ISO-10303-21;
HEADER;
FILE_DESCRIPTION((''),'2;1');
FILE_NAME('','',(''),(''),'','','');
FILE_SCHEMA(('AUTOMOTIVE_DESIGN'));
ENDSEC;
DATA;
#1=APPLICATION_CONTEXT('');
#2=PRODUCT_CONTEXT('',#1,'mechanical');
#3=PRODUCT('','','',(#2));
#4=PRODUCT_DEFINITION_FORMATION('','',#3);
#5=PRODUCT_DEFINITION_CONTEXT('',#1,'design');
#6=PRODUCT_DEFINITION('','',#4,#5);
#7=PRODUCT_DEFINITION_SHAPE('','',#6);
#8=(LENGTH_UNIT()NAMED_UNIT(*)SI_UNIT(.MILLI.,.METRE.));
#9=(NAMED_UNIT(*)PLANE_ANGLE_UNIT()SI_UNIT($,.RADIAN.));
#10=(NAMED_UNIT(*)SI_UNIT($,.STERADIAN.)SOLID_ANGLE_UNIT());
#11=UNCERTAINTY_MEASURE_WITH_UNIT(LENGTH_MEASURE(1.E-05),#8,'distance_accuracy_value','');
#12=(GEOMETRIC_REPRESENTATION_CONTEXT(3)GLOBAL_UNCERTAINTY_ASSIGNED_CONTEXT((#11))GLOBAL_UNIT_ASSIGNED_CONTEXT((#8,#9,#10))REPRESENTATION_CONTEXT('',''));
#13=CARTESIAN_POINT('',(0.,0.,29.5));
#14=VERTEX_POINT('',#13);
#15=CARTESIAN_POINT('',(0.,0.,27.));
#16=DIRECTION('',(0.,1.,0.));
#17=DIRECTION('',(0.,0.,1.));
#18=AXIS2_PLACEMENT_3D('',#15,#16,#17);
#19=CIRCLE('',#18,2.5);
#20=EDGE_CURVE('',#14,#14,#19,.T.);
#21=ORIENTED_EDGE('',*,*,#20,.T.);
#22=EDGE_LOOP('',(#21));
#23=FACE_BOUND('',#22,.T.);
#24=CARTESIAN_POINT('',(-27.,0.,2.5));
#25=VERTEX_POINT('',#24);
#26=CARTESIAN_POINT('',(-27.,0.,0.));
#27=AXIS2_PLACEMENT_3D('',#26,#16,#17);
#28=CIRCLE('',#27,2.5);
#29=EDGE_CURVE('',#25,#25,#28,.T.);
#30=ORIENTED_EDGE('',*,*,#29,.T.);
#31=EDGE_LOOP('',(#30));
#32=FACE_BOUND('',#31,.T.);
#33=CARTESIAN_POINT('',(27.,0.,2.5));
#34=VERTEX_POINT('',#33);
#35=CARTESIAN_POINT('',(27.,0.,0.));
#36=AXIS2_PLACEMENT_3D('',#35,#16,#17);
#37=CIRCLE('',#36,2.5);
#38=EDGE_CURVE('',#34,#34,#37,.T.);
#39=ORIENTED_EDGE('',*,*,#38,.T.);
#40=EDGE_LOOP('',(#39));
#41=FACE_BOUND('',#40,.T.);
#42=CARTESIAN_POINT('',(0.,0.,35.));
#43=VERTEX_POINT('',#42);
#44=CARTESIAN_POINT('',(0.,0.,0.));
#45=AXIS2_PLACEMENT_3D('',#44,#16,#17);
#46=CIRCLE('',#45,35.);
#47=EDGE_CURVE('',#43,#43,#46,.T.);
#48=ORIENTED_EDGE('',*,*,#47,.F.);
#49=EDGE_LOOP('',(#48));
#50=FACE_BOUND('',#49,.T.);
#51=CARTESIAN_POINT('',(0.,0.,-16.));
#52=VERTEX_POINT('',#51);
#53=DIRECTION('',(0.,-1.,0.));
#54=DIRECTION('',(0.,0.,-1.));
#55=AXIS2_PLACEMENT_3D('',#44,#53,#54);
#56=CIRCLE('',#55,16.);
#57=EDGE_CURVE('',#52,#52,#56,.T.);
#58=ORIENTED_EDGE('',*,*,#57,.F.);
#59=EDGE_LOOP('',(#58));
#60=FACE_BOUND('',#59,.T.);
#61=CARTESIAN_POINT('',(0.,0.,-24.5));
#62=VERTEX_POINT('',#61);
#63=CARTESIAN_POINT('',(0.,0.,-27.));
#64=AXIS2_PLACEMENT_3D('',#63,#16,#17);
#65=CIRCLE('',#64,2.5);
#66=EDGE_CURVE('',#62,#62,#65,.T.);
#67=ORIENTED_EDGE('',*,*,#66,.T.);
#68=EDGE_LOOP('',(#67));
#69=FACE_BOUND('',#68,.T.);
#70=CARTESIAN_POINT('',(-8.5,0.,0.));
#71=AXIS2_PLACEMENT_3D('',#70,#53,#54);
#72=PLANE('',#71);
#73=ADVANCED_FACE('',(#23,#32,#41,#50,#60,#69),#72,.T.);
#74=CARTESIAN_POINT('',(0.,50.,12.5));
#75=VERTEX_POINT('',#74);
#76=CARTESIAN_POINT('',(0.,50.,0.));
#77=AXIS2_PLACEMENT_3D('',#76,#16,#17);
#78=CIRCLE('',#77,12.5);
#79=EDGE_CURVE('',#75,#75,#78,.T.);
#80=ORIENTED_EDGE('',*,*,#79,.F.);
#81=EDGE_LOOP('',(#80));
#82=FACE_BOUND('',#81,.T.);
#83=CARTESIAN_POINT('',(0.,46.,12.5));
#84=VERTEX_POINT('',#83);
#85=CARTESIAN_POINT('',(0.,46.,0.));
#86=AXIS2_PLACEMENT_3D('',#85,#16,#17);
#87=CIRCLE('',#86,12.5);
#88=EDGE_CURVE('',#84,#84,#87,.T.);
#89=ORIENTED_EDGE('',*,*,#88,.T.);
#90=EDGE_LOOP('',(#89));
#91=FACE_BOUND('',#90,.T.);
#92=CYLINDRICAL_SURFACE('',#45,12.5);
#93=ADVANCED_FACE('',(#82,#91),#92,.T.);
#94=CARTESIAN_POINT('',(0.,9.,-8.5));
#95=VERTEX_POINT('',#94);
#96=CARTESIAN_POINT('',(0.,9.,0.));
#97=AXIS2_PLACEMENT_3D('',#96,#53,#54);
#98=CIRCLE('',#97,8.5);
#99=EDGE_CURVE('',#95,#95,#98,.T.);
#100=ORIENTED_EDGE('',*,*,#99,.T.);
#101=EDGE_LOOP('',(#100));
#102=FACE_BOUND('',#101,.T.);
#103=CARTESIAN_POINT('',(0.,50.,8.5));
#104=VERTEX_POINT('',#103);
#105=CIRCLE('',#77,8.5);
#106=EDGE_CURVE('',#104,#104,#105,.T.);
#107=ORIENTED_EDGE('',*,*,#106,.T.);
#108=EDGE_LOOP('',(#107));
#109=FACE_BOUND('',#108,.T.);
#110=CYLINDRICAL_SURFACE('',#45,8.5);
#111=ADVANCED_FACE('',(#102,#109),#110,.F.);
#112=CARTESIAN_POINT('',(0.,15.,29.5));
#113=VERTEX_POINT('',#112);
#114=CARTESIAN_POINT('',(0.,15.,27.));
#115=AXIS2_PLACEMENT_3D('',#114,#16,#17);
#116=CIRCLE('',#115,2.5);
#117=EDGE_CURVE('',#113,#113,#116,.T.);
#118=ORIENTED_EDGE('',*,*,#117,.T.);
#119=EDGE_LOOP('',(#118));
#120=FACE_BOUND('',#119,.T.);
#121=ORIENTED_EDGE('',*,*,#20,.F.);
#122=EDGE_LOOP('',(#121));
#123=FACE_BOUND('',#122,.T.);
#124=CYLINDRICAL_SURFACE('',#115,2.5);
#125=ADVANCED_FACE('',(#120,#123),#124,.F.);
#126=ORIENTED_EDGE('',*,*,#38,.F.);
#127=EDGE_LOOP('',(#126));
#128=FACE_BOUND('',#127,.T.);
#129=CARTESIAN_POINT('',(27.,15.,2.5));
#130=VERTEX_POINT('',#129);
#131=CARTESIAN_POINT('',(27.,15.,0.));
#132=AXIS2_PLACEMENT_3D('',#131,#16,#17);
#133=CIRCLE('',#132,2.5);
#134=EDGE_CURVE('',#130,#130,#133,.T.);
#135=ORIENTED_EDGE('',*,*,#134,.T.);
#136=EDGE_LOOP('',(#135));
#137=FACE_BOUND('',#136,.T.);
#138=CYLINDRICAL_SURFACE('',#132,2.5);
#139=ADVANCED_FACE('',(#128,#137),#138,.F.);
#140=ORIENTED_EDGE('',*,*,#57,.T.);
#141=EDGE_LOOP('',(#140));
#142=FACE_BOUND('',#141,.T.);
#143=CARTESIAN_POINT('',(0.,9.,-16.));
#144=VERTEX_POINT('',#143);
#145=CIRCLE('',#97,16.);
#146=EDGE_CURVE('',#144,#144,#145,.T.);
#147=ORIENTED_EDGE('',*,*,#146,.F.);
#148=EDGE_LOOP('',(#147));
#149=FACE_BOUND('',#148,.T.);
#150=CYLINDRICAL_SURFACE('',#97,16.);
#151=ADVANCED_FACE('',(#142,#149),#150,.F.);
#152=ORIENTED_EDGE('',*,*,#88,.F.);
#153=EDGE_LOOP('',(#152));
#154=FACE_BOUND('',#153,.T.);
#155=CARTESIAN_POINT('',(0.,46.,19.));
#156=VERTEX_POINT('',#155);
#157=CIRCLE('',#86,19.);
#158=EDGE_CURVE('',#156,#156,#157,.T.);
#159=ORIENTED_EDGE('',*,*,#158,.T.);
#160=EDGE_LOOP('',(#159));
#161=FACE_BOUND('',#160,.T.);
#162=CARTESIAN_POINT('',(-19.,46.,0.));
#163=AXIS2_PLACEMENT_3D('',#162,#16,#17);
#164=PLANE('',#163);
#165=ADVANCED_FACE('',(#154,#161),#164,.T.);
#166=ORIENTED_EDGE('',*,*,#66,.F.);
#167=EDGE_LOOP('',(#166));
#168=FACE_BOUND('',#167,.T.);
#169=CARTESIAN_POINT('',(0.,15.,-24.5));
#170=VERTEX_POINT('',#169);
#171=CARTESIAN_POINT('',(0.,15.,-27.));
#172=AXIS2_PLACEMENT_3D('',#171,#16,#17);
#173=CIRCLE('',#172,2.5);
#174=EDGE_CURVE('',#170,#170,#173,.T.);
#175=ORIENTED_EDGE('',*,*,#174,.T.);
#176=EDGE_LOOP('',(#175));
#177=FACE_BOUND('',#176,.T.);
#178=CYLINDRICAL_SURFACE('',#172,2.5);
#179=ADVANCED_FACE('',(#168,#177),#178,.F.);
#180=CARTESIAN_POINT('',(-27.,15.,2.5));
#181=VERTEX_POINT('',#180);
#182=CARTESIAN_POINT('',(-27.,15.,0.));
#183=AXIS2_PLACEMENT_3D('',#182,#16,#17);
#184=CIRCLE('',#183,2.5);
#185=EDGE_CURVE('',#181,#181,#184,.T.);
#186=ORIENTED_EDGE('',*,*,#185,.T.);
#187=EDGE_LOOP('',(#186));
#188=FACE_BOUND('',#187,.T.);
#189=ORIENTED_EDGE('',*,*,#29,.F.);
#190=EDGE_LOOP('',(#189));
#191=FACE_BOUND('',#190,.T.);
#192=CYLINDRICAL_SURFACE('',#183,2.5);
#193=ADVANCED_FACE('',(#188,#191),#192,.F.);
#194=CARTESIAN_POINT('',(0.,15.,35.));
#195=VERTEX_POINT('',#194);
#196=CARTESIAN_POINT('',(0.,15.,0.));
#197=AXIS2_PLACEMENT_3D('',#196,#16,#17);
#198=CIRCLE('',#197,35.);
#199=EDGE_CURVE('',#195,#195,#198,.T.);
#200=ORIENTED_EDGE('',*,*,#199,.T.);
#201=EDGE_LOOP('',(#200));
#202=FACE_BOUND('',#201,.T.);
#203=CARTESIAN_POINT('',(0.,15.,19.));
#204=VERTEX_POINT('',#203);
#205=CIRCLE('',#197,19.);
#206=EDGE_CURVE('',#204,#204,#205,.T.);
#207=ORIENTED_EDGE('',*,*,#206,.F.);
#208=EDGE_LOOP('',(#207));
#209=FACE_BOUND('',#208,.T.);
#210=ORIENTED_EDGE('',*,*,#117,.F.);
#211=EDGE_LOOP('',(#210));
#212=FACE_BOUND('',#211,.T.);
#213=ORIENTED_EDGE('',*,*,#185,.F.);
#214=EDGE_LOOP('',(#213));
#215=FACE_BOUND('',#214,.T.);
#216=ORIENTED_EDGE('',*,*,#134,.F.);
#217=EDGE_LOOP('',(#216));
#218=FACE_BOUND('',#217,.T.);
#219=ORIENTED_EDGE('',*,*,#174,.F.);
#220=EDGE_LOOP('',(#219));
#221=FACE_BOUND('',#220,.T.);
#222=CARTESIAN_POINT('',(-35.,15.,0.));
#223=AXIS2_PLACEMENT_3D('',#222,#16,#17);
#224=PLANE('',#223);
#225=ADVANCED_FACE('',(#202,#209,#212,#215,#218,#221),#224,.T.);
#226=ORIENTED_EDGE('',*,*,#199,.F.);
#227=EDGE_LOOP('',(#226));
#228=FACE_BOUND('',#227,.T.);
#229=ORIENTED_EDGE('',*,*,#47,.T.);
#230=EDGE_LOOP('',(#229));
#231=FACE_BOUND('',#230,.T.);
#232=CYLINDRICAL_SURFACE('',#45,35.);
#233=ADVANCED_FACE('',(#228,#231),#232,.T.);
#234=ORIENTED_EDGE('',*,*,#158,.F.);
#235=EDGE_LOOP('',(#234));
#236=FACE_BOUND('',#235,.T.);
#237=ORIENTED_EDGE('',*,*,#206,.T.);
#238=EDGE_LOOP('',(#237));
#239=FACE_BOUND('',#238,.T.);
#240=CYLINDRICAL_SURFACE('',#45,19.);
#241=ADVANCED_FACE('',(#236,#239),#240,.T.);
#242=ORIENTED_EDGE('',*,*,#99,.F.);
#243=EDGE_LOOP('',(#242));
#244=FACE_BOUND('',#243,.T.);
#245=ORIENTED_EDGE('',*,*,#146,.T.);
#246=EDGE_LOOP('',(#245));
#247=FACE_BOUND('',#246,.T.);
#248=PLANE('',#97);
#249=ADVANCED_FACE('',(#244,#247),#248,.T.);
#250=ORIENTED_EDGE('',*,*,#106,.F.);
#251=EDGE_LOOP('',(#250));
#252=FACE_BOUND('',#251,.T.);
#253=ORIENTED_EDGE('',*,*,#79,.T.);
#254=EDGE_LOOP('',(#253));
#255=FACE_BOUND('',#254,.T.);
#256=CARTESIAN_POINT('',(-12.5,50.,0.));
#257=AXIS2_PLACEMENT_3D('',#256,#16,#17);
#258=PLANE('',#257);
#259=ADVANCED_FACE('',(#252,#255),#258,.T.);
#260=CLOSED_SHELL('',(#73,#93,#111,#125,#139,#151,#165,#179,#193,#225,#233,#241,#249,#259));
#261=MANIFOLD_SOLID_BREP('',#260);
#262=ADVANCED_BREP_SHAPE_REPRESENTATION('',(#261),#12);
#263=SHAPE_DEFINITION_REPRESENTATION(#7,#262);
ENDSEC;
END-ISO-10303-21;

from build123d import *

# Parameters (mm, degrees)
M6_TAPPED_HOLE1_D  = 5
SKETCH4_R          = 16
CUT_EXTRUDE1_DEPTH = 9


with BuildPart() as part:
    # Sketch1 → Revolve1 (revolve)
    with BuildSketch(Plane.XY):
        Polygon((-8.5, 0), (-35, 0), (-35, 15), (-19, 15), (-19, 46), (-12.5, 46), (-12.5, 50), (-8.5, 50), align=None)
    revolve(axis=Axis((0, 0, 0), (0, -1, 0)))

    # M6 Tapped Hole1 (through all)
    with Locations(Plane(origin=(0, 15, 0), x_dir=(1, 0, 0), z_dir=(0, 1, 0))):
        with Locations((-27, 0), (0, 27), (27, 0), (0, -27)):
            Hole(M6_TAPPED_HOLE1_D / 2)

    # Sketch4 → Cut-Extrude1 (cut)
    with BuildSketch(Plane.XZ):
        Circle(SKETCH4_R)
    extrude(amount=-CUT_EXTRUDE1_DEPTH, mode=Mode.SUBTRACT)


solid = part.part
